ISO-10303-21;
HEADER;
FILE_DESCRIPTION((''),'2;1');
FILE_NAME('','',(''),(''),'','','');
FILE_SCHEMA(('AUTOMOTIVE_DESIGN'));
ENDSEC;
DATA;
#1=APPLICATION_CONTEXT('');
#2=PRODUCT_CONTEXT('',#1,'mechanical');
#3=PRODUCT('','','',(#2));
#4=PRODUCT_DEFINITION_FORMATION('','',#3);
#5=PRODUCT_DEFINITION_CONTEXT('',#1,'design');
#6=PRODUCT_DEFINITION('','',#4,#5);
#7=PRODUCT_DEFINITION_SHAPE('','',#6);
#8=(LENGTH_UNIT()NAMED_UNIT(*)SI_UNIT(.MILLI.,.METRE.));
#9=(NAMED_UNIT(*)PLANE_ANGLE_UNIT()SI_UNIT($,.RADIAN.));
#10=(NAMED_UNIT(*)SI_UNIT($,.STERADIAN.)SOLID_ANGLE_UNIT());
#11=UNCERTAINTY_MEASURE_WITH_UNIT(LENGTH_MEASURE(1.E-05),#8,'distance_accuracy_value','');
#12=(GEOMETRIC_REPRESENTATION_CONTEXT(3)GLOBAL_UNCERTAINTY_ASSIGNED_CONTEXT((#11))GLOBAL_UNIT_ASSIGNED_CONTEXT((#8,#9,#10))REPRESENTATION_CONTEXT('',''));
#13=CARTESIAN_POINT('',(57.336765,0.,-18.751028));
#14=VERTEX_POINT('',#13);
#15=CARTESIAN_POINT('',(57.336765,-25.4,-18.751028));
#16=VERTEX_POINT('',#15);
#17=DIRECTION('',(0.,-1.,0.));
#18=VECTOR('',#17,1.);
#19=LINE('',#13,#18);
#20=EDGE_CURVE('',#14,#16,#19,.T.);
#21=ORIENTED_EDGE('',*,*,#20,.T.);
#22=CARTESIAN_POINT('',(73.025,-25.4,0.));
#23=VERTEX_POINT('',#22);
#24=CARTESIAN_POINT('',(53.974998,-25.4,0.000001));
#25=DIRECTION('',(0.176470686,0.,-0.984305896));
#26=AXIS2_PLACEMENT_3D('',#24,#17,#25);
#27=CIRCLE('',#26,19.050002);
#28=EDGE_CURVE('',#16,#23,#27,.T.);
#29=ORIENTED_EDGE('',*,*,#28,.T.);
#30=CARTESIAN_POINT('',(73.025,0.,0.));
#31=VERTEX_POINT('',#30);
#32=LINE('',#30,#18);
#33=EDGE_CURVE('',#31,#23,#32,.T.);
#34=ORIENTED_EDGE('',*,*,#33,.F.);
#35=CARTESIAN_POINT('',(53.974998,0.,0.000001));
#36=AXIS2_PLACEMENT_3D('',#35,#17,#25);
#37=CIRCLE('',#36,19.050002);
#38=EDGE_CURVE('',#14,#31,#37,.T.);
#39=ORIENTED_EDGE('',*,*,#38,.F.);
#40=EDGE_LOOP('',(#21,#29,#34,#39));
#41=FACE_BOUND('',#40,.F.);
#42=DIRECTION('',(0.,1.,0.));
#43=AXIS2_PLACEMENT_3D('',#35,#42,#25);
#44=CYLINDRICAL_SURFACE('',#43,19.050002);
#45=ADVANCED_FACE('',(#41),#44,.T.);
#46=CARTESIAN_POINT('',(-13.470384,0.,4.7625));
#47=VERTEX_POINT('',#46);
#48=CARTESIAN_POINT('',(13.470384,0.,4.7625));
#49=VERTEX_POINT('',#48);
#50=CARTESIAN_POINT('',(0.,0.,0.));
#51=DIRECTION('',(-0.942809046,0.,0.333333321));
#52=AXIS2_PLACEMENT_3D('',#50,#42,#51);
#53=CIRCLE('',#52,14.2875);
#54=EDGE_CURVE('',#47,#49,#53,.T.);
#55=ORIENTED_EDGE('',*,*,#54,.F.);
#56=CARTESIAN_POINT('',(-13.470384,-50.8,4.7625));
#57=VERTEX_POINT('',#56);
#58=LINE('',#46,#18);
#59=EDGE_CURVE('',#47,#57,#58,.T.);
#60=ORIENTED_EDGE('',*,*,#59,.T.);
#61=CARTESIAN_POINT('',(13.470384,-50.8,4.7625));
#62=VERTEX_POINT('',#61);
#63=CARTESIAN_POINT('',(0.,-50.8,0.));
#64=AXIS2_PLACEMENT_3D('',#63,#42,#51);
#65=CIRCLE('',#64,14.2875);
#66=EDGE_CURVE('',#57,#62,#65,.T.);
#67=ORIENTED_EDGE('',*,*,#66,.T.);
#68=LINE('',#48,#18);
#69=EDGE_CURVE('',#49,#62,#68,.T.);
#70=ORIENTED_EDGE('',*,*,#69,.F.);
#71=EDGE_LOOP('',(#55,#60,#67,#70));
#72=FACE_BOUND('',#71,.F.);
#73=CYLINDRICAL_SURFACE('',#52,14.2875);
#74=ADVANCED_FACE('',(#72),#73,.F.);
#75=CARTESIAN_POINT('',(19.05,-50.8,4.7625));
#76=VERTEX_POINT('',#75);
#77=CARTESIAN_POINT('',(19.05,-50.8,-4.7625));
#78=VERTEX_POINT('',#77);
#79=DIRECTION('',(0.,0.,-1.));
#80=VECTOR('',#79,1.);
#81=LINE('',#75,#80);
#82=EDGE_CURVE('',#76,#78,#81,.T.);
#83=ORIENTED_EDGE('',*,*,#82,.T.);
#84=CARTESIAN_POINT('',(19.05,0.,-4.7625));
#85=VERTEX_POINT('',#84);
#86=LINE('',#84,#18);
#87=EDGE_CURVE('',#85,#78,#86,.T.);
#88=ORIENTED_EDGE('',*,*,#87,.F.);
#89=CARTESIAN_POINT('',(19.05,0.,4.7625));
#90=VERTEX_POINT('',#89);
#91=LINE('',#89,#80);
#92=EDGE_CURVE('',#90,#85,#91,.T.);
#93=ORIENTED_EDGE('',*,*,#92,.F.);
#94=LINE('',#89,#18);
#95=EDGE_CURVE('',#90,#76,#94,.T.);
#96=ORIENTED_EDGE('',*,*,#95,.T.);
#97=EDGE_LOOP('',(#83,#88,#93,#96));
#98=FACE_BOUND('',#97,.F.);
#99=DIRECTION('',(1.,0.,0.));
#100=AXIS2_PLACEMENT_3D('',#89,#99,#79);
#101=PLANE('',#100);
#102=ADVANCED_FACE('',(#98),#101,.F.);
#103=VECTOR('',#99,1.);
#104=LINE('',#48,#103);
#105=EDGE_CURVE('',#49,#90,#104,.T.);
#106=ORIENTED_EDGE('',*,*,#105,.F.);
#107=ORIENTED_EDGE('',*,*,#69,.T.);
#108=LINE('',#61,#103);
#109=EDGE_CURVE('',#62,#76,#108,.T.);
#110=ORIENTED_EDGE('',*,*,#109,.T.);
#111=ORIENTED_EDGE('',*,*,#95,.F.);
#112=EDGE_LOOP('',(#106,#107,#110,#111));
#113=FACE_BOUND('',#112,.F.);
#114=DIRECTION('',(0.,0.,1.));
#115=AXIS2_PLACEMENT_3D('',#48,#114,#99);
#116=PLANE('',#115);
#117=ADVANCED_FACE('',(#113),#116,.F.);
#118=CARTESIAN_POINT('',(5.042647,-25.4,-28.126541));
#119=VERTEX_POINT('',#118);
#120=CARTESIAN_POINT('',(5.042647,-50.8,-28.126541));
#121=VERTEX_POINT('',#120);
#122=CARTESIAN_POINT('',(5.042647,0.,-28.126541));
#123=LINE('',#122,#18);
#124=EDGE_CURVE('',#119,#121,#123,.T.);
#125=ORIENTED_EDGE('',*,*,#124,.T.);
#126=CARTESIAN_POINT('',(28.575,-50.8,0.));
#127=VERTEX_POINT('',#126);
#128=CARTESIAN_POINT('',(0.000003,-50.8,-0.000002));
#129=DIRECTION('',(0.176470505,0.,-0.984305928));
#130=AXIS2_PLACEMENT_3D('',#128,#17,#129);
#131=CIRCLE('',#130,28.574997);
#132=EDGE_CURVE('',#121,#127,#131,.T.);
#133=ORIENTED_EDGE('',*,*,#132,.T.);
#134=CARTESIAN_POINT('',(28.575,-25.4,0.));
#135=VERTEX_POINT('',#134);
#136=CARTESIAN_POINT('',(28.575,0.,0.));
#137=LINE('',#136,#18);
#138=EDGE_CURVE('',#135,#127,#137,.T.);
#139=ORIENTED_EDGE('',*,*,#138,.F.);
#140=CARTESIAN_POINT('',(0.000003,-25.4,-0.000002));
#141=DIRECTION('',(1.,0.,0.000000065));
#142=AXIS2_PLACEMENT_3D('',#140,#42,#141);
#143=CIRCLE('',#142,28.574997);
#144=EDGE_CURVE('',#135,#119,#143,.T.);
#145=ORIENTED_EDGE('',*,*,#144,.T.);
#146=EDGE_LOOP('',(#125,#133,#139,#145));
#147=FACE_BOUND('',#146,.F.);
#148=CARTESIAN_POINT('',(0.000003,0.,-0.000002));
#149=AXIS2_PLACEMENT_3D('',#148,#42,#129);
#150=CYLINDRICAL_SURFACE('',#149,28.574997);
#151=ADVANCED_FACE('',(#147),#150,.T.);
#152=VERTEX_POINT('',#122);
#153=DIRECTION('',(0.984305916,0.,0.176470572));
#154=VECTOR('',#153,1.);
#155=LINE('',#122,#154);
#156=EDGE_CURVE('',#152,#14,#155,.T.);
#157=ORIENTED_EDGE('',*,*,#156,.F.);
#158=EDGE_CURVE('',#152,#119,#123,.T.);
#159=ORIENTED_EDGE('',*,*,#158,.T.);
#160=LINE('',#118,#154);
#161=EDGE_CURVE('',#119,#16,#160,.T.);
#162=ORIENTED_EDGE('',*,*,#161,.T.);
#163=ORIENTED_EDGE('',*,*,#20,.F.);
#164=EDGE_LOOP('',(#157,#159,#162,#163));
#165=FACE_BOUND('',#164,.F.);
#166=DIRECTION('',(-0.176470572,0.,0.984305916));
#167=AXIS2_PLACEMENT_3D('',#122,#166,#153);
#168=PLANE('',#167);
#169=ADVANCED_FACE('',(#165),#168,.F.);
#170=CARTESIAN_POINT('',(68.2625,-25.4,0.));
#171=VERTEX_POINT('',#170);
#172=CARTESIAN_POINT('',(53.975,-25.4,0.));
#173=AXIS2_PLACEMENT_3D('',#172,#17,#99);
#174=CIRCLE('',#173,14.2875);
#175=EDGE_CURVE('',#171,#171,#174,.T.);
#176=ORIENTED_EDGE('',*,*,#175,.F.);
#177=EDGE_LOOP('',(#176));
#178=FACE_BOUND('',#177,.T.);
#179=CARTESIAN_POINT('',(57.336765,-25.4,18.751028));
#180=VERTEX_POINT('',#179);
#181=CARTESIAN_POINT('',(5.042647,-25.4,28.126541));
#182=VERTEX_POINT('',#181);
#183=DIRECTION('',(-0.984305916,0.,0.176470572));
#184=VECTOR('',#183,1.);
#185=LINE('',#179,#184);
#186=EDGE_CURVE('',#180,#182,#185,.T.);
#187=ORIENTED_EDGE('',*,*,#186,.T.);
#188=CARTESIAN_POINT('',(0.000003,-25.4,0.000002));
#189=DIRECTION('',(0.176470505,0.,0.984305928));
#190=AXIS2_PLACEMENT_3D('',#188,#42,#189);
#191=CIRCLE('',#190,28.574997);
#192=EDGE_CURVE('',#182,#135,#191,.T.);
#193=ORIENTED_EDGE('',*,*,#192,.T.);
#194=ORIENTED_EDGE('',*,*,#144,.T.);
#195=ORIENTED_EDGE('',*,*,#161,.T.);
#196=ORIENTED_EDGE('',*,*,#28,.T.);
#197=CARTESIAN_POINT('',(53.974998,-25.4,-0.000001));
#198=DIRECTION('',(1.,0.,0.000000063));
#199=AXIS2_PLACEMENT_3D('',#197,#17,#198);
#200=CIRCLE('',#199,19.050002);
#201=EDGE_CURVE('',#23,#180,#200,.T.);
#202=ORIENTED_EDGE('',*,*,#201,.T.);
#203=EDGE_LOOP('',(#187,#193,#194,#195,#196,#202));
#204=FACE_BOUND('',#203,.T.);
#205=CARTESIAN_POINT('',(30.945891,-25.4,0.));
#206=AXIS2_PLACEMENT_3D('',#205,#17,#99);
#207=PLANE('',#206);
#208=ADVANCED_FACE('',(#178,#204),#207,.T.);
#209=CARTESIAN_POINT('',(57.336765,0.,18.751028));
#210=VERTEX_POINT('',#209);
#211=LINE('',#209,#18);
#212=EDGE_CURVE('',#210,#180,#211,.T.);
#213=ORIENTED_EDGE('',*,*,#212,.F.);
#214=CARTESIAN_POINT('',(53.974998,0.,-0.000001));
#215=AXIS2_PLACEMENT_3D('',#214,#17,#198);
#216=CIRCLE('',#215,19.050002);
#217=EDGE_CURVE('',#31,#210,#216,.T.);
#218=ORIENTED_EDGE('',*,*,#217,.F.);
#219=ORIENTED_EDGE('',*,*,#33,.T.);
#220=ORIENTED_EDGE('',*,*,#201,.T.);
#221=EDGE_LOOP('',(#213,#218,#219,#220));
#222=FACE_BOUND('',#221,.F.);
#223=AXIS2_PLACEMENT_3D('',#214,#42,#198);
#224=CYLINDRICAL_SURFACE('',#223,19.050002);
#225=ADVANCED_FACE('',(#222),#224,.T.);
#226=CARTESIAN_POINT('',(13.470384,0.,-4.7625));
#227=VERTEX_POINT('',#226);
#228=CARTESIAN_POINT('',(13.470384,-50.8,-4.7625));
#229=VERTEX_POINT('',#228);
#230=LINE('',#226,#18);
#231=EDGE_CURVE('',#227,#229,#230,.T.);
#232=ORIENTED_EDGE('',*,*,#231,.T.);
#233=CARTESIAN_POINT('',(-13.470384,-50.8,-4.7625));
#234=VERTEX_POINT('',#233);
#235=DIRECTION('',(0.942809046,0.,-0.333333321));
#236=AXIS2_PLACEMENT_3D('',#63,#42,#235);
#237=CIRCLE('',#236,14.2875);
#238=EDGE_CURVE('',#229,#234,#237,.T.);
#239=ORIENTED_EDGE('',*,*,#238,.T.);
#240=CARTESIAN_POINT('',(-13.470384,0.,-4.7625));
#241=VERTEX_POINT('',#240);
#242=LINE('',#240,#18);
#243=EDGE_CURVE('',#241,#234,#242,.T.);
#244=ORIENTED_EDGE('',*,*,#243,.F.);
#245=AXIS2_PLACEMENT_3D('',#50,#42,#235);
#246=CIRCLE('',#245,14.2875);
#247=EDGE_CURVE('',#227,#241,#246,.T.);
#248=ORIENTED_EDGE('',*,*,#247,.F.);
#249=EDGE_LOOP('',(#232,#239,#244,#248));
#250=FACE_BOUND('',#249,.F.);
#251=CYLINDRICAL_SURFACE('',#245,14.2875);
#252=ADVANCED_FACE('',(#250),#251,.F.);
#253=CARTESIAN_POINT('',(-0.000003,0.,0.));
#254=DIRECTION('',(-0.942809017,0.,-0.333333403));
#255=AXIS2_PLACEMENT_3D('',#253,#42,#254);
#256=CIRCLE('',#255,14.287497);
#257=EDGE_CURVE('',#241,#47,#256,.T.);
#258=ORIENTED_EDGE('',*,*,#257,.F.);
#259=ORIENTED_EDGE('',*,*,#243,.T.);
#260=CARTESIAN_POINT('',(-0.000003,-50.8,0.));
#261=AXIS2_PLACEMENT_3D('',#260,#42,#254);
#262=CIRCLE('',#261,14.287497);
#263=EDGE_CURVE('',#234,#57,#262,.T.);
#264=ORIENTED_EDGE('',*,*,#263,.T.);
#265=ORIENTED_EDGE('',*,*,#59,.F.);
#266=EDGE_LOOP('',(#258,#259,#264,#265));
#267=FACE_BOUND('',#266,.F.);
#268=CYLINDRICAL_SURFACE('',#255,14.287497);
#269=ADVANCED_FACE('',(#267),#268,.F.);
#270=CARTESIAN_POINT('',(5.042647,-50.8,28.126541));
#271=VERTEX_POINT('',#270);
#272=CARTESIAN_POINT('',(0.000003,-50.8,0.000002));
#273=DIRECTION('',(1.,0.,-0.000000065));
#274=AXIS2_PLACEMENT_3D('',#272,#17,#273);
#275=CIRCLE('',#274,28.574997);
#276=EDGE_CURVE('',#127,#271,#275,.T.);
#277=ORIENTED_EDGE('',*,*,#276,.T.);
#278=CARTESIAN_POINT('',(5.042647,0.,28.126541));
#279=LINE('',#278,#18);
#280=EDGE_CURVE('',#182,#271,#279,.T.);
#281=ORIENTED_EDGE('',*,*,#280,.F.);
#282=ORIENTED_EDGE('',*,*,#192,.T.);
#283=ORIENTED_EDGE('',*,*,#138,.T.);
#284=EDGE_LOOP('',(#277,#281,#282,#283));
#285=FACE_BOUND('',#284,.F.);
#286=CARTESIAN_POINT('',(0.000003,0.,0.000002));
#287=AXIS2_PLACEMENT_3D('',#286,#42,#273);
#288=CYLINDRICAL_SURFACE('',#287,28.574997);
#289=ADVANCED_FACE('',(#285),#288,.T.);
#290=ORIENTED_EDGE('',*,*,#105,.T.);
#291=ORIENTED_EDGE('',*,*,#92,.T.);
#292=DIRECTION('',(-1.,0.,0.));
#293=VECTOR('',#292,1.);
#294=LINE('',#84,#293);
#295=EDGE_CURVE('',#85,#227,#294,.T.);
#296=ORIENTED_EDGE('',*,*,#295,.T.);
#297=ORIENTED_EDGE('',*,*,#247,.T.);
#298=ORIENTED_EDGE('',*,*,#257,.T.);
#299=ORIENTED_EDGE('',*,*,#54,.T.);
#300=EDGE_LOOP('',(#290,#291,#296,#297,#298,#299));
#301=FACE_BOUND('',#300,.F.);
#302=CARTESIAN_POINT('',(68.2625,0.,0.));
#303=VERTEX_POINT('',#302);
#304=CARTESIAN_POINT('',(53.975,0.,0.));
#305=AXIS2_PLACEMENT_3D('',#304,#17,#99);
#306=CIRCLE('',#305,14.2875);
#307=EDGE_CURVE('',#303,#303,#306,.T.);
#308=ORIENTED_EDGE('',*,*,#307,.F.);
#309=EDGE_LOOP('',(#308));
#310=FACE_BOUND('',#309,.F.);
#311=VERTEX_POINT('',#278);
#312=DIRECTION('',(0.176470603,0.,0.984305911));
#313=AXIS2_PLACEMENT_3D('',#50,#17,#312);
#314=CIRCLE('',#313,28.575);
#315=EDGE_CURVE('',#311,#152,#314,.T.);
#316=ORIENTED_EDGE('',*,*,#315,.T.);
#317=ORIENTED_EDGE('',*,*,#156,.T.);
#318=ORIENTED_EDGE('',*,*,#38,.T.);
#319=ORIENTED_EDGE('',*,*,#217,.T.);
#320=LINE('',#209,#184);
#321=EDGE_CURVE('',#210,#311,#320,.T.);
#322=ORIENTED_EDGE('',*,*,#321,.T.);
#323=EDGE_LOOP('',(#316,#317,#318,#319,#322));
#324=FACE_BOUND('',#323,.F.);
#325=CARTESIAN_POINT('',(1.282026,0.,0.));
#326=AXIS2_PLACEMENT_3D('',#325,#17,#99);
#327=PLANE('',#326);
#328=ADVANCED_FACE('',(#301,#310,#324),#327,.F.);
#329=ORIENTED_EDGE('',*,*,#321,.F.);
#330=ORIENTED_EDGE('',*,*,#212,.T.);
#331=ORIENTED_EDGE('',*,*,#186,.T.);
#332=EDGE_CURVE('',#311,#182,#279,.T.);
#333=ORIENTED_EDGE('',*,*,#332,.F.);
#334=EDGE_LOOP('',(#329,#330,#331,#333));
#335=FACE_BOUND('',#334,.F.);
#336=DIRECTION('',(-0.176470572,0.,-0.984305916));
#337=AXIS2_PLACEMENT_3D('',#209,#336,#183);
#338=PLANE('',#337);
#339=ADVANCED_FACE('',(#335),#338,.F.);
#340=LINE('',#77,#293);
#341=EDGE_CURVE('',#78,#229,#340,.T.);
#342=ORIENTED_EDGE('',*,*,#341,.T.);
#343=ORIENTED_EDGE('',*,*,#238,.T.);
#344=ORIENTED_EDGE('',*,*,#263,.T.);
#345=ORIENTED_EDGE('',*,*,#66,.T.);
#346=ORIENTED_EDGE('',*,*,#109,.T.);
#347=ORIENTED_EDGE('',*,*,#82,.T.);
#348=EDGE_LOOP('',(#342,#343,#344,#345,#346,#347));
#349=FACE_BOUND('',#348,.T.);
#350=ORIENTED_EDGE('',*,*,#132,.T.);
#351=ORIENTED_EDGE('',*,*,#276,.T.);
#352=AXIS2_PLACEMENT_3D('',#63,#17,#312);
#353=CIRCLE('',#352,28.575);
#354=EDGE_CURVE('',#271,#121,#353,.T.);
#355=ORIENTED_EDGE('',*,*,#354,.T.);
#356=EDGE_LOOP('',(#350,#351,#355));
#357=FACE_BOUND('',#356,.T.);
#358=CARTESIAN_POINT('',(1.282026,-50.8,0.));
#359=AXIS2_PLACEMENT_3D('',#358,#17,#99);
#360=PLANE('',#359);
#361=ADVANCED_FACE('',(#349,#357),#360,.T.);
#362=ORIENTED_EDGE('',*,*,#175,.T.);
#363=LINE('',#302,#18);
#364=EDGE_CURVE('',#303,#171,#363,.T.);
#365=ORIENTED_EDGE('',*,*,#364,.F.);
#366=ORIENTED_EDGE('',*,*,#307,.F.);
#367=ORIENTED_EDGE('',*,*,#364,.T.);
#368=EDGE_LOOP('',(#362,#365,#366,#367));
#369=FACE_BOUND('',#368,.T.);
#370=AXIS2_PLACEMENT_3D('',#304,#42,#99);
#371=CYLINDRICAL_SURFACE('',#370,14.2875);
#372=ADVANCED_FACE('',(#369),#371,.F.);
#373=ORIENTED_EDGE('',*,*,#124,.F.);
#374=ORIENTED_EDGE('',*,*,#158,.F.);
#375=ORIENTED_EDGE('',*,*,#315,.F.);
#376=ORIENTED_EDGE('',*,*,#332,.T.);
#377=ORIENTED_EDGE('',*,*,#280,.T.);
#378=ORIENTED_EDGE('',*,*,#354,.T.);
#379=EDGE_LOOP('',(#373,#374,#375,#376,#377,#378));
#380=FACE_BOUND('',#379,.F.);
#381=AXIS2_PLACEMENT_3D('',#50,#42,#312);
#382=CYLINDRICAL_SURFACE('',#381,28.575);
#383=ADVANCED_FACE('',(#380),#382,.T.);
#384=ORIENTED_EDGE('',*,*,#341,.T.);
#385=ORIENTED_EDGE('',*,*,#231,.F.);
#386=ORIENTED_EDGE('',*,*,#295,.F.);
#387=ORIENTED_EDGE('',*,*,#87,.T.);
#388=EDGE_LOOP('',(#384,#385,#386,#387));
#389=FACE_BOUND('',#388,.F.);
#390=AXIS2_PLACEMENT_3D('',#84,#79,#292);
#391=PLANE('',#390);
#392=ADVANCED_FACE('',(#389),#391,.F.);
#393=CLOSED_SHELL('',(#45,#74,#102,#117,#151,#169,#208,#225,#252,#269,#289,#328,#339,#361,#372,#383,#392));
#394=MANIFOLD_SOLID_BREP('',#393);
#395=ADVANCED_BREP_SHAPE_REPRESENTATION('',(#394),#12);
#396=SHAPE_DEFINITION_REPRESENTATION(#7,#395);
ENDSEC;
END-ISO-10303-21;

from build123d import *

# Parameters (mm, degrees)
F0_R     = 14.2875
F1_DEPTH = 25.4
F2_DEPTH = 50.8


with BuildPart() as f1:
    # F0 (on Front) → F1 (new body)
    with BuildSketch(Plane.XZ):
        with BuildLine():
            ThreePointArc((5.042647, 28.126541), (21.916025, 18.336262), (28.575, 0))
            ThreePointArc((28.575, 0), (21.916025, -18.336262), (5.042647, -28.126541))
            Line((5.042647, -28.126541), (57.336765, -18.751028))
            ThreePointArc((57.336765, -18.751028), (34.925, 0), (57.336765, 18.751028))
            Line((57.336765, 18.751028), (5.042647, 28.126541))
        make_face()
        with BuildLine():
            ThreePointArc((73.025, 0), (68.585683, 12.224174), (57.336765, 18.751028))
            ThreePointArc((57.336765, 18.751028), (34.925, 0), (57.336765, -18.751028))
            ThreePointArc((57.336765, -18.751028), (68.585683, -12.224174), (73.025, 0))
        make_face()
        with Locations((53.975, 0)):
            Circle(F0_R, mode=Mode.SUBTRACT)
    extrude(amount=F1_DEPTH)

    # F0 (on Front) → F2 (join)
    with BuildSketch(Plane.XZ):
        with BuildLine():
            ThreePointArc((5.042647, -28.126541), (21.916025, -18.336262), (28.575, 0))
            ThreePointArc((28.575, 0), (21.916025, 18.336262), (5.042647, 28.126541))
            ThreePointArc((5.042647, 28.126541), (-28.575, 0), (5.042647, -28.126541))
        make_face()
        with BuildLine():
            ThreePointArc((-13.470384, 4.7625), (0, 14.2875), (13.470384, 4.7625))
            Line((13.470384, 4.7625), (19.05, 4.7625))
            Line((19.05, 4.7625), (19.05, -4.7625))
            Line((19.05, -4.7625), (13.470384, -4.7625))
            ThreePointArc((13.470384, -4.7625), (0, -14.2875), (-13.470384, -4.7625))
            Line((-13.470384, -4.7625), (-19.05, -4.7625))
            Line((-19.05, -4.7625), (-19.05, 4.7625))
            Line((-19.05, 4.7625), (-13.470384, 4.7625))
        make_face(mode=Mode.SUBTRACT)
        with BuildLine():
            ThreePointArc((-13.470384, -4.7625), (-14.2875, 0), (-13.470384, 4.7625))
            Line((-13.470384, 4.7625), (-19.05, 4.7625))
            Line((-19.05, 4.7625), (-19.05, -4.7625))
            Line((-19.05, -4.7625), (-13.470384, -4.7625))
        make_face()
    extrude(amount=F2_DEPTH)


solid = f1.part
